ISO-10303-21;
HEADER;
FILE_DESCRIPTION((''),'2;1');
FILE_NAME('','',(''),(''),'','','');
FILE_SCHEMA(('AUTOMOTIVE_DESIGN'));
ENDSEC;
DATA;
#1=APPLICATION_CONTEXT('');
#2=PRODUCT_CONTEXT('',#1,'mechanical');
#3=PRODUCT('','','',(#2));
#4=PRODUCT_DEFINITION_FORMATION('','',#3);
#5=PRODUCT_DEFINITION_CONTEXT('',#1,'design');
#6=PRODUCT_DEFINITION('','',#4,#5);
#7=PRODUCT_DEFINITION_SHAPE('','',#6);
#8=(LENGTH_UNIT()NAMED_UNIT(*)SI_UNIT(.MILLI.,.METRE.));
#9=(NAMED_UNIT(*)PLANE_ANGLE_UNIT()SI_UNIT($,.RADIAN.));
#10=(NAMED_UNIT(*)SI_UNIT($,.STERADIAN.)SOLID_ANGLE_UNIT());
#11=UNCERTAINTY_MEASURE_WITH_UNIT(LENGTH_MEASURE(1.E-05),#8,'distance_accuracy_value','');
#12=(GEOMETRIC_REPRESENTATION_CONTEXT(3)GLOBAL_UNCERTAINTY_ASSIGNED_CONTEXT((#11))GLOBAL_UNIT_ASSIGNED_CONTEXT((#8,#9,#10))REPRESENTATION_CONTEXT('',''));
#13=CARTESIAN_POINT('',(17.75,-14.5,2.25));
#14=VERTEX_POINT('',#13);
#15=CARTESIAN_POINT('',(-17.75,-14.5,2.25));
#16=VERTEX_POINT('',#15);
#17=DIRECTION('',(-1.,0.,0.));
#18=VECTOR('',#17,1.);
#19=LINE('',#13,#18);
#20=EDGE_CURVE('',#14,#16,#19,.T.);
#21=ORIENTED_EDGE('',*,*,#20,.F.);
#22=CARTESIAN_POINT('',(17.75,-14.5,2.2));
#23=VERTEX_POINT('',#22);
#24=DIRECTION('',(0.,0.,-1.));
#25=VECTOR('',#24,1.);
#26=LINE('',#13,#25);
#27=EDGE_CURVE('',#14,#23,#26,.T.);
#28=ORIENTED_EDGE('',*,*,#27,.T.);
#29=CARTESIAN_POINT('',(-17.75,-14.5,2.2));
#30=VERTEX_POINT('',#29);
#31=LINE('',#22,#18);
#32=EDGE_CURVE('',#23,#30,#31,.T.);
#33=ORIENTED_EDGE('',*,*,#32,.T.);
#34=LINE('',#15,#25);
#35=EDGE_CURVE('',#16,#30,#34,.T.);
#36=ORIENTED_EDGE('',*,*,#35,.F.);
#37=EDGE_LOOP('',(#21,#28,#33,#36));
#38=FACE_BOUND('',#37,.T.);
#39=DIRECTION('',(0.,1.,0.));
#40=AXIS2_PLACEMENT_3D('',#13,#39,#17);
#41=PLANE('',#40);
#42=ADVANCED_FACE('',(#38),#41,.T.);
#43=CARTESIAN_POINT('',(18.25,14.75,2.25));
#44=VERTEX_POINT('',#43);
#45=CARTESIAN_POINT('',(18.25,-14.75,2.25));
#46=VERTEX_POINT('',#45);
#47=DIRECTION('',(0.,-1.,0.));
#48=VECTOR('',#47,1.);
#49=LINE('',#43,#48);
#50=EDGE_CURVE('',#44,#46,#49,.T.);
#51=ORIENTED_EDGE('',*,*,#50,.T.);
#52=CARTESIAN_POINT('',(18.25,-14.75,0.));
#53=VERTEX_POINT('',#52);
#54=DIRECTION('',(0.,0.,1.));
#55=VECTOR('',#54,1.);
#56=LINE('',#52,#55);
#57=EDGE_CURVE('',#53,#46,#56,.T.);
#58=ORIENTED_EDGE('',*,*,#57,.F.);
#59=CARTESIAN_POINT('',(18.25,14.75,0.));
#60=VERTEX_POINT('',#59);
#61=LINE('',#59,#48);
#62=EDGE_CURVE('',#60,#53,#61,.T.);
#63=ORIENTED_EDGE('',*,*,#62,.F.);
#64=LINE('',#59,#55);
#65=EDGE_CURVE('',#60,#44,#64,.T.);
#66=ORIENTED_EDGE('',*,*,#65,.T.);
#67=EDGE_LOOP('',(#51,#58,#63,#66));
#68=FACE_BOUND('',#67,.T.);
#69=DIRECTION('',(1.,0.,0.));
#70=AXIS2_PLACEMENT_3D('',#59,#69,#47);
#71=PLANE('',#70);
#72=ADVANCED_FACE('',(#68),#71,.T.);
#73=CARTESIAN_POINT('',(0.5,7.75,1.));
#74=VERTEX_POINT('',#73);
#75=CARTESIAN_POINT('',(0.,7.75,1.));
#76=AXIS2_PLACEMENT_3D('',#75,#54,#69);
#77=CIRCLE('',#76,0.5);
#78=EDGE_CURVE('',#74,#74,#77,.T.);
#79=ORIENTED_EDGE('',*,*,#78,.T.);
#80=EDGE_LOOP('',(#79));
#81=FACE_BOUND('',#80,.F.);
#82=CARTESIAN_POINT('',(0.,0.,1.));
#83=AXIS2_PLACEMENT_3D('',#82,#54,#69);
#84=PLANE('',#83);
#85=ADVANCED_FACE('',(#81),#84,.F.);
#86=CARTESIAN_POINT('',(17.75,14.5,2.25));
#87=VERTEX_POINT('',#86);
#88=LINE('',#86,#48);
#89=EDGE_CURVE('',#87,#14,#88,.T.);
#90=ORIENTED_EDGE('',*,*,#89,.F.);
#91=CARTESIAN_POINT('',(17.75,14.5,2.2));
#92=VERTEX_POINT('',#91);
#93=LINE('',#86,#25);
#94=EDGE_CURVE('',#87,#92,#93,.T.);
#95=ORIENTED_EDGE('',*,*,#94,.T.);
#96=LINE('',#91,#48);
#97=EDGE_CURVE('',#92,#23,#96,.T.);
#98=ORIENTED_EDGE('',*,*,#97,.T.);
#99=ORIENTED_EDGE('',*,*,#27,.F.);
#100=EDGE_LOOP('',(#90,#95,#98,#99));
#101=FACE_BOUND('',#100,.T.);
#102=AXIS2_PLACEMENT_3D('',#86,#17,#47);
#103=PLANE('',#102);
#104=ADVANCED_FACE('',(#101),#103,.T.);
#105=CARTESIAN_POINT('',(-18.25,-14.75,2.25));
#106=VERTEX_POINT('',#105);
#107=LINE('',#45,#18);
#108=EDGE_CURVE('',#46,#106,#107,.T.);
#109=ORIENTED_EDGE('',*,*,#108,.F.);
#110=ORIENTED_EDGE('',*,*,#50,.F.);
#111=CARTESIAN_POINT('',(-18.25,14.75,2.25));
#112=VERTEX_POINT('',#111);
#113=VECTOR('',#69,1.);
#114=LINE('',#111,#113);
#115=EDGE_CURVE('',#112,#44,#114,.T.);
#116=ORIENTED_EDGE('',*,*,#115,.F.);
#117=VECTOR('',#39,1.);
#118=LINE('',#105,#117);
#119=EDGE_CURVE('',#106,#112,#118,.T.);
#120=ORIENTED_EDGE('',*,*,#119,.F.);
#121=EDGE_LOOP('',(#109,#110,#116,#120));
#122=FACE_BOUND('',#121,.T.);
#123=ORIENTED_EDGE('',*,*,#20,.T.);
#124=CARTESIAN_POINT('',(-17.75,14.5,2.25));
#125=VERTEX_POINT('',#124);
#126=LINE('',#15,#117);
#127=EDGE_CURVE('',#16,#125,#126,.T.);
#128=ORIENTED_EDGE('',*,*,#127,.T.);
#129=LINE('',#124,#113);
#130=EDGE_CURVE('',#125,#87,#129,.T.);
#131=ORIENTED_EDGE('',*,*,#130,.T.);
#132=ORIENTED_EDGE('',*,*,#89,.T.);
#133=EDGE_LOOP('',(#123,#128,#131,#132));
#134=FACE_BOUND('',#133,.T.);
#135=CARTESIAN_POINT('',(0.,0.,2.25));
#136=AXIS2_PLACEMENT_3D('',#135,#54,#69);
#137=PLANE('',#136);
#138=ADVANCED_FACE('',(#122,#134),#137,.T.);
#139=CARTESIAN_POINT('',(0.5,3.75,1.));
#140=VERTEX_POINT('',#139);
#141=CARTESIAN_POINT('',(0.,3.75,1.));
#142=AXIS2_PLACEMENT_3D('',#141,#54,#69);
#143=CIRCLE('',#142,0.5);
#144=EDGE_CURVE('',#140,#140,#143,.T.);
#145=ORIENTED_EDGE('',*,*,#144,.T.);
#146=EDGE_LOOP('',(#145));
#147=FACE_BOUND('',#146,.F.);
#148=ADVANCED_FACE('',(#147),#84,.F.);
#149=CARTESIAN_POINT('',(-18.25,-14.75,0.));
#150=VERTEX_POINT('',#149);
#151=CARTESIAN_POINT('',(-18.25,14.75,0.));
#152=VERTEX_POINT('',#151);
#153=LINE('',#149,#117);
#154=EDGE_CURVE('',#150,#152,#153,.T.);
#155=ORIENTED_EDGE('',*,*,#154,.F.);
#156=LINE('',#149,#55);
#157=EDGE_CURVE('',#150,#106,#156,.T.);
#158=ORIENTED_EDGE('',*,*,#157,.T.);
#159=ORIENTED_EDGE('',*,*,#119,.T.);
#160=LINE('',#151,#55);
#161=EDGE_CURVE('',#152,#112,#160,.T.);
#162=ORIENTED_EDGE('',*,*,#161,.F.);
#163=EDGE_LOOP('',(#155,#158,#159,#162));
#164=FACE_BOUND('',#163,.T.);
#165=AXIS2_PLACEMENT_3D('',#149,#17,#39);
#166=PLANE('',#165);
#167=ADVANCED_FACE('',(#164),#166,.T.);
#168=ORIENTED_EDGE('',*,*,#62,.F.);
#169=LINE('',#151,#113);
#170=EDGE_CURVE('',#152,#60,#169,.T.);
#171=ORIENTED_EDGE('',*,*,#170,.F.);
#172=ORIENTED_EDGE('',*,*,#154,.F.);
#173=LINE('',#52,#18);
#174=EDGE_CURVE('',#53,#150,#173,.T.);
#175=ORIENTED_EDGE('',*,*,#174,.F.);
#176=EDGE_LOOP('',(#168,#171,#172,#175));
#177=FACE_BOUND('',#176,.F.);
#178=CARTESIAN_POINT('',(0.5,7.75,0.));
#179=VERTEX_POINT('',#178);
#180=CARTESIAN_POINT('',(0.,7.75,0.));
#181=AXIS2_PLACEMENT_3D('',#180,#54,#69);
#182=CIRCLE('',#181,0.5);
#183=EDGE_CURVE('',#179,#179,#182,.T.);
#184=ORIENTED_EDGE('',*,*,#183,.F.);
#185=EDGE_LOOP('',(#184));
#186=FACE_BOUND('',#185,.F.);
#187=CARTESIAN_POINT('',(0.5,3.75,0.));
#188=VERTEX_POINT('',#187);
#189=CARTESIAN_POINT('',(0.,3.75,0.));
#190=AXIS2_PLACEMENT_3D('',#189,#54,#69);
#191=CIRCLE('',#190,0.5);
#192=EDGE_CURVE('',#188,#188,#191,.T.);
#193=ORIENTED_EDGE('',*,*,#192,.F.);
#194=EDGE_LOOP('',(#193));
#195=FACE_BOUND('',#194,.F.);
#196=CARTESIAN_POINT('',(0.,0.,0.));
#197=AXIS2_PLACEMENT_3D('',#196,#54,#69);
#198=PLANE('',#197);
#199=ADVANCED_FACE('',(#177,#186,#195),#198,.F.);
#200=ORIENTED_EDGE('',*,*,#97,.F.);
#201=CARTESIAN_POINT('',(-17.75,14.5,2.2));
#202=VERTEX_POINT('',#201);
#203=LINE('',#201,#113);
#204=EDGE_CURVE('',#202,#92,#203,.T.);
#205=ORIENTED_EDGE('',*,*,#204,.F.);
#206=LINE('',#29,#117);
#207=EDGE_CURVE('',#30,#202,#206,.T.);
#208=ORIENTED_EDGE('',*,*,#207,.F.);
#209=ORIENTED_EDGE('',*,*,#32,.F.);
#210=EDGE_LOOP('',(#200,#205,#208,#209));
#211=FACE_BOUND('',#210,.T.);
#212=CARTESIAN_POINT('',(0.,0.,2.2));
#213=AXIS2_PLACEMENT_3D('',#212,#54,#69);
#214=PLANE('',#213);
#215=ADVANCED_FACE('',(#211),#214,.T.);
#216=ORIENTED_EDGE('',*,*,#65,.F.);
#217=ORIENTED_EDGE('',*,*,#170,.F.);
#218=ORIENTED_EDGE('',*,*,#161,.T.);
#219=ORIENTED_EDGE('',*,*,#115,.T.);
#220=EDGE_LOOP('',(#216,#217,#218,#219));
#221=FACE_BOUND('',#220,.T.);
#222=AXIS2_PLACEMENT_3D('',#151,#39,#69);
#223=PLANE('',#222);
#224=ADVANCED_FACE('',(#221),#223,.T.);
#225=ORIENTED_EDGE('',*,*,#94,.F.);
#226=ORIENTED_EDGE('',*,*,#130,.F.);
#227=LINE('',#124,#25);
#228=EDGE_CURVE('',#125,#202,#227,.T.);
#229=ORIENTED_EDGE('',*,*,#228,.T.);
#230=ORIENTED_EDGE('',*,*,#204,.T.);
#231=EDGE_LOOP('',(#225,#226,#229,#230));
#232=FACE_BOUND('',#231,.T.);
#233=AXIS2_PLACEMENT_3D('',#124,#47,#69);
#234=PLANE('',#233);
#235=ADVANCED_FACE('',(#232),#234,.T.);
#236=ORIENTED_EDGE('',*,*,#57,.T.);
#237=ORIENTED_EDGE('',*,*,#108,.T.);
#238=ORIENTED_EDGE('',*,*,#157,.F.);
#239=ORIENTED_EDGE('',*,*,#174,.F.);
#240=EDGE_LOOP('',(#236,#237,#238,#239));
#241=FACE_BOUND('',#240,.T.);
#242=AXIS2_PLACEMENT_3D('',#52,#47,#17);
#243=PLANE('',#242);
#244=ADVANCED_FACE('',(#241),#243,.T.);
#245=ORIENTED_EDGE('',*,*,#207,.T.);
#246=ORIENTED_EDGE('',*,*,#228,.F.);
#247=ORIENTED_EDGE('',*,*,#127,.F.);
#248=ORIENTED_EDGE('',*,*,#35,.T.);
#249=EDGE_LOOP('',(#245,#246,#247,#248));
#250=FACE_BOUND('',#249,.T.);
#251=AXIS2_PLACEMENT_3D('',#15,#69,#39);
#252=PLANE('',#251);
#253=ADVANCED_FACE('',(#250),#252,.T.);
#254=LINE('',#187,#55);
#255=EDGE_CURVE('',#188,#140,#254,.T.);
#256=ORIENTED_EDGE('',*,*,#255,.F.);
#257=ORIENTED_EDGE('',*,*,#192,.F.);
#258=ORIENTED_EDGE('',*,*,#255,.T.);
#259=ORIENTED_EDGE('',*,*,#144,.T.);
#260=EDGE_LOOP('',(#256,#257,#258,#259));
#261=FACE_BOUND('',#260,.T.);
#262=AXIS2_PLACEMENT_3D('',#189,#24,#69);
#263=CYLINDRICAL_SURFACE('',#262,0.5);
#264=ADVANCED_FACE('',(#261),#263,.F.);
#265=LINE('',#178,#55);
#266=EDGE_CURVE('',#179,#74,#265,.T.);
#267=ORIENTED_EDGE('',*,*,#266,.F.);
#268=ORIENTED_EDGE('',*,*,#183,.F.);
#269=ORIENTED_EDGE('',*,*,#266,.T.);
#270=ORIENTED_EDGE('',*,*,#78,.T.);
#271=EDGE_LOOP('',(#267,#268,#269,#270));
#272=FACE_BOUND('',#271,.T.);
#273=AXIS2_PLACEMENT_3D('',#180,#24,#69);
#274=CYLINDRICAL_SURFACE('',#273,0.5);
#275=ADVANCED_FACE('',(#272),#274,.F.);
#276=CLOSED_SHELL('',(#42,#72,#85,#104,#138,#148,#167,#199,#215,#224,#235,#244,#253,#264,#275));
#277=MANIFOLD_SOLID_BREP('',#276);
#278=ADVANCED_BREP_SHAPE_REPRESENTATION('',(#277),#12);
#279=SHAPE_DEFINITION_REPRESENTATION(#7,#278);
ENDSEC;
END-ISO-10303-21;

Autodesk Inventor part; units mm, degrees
ref_plane "YZ Plane" through (0, 0, 0) normal (1, 0, 0) x (0, 1, 0)
ref_plane "XZ Plane" through (0, 0, 0) normal (0, 1, 0) x (-1, 0, 0)
ref_plane "XY Plane" through (0, 0, 0) normal (0, 0, 1) x (1, 0, 0)
sketch "スケッチ1" plane through (0, 0, 0) normal (0, 0, 1) x (1, 0, 0)
  line L0 (-18.25, 14.75) -> (18.25, 14.75)
  line L1 (18.25, 14.75) -> (18.25, -14.75)
  line L2 (18.25, -14.75) -> (-18.25, -14.75)
  line L3 (-18.25, -14.75) -> (-18.25, 14.75)
  line L4 (0, 17.8351) -> (0, -18.1881) construction
  circle A0 centre (0, 7.75) radius 0.5
  circle A1 centre (0, 3.75) radius 0.5
  point P0 (0, 0)
  dimension "d0" = 18.25
  dimension "d1" = 18.25
  dimension "d2" = 14.75
  dimension "d3" = 14.75
  dimension "d18" = 1
  dimension "d19" = 7
  dimension "d20" = 1
  dimension "d21" = 4
extrude "押し出し1" add sketch "スケッチ1" along normal blind 2.25 contours L0 L1 L2 L3 | A0 | A1
sketch "スケッチ2" plane through (0, 0, 2.25) normal (0, 0, 1) x (1, 0, 0)
  line L0 (-17.75, 14.5) -> (17.75, 14.5)
  line L1 (17.75, 14.5) -> (17.75, -14.5)
  line L2 (17.75, -14.5) -> (-17.75, -14.5)
  line L3 (-17.75, -14.5) -> (-17.75, 14.5)
  line L4 (18.25, -14.75) -> (18.25, 14.75) projected
  point P0 (0, 0)
  dimension "d6" = 0.5
  dimension "d7" = 35.5
  dimension "d8" = 14.5
  dimension "d9" = 14.5
extrude "押し出し2" cut sketch "スケッチ2" against normal blind 0.05
extrude "押し出し5" cut sketch "スケッチ1" along normal blind 1 contours A0 | A1
equation "\"d1\" = d0"
equation "\"d3\" = d2"
equation "\"d9\" = d8"
properties part number "TFT_case"
